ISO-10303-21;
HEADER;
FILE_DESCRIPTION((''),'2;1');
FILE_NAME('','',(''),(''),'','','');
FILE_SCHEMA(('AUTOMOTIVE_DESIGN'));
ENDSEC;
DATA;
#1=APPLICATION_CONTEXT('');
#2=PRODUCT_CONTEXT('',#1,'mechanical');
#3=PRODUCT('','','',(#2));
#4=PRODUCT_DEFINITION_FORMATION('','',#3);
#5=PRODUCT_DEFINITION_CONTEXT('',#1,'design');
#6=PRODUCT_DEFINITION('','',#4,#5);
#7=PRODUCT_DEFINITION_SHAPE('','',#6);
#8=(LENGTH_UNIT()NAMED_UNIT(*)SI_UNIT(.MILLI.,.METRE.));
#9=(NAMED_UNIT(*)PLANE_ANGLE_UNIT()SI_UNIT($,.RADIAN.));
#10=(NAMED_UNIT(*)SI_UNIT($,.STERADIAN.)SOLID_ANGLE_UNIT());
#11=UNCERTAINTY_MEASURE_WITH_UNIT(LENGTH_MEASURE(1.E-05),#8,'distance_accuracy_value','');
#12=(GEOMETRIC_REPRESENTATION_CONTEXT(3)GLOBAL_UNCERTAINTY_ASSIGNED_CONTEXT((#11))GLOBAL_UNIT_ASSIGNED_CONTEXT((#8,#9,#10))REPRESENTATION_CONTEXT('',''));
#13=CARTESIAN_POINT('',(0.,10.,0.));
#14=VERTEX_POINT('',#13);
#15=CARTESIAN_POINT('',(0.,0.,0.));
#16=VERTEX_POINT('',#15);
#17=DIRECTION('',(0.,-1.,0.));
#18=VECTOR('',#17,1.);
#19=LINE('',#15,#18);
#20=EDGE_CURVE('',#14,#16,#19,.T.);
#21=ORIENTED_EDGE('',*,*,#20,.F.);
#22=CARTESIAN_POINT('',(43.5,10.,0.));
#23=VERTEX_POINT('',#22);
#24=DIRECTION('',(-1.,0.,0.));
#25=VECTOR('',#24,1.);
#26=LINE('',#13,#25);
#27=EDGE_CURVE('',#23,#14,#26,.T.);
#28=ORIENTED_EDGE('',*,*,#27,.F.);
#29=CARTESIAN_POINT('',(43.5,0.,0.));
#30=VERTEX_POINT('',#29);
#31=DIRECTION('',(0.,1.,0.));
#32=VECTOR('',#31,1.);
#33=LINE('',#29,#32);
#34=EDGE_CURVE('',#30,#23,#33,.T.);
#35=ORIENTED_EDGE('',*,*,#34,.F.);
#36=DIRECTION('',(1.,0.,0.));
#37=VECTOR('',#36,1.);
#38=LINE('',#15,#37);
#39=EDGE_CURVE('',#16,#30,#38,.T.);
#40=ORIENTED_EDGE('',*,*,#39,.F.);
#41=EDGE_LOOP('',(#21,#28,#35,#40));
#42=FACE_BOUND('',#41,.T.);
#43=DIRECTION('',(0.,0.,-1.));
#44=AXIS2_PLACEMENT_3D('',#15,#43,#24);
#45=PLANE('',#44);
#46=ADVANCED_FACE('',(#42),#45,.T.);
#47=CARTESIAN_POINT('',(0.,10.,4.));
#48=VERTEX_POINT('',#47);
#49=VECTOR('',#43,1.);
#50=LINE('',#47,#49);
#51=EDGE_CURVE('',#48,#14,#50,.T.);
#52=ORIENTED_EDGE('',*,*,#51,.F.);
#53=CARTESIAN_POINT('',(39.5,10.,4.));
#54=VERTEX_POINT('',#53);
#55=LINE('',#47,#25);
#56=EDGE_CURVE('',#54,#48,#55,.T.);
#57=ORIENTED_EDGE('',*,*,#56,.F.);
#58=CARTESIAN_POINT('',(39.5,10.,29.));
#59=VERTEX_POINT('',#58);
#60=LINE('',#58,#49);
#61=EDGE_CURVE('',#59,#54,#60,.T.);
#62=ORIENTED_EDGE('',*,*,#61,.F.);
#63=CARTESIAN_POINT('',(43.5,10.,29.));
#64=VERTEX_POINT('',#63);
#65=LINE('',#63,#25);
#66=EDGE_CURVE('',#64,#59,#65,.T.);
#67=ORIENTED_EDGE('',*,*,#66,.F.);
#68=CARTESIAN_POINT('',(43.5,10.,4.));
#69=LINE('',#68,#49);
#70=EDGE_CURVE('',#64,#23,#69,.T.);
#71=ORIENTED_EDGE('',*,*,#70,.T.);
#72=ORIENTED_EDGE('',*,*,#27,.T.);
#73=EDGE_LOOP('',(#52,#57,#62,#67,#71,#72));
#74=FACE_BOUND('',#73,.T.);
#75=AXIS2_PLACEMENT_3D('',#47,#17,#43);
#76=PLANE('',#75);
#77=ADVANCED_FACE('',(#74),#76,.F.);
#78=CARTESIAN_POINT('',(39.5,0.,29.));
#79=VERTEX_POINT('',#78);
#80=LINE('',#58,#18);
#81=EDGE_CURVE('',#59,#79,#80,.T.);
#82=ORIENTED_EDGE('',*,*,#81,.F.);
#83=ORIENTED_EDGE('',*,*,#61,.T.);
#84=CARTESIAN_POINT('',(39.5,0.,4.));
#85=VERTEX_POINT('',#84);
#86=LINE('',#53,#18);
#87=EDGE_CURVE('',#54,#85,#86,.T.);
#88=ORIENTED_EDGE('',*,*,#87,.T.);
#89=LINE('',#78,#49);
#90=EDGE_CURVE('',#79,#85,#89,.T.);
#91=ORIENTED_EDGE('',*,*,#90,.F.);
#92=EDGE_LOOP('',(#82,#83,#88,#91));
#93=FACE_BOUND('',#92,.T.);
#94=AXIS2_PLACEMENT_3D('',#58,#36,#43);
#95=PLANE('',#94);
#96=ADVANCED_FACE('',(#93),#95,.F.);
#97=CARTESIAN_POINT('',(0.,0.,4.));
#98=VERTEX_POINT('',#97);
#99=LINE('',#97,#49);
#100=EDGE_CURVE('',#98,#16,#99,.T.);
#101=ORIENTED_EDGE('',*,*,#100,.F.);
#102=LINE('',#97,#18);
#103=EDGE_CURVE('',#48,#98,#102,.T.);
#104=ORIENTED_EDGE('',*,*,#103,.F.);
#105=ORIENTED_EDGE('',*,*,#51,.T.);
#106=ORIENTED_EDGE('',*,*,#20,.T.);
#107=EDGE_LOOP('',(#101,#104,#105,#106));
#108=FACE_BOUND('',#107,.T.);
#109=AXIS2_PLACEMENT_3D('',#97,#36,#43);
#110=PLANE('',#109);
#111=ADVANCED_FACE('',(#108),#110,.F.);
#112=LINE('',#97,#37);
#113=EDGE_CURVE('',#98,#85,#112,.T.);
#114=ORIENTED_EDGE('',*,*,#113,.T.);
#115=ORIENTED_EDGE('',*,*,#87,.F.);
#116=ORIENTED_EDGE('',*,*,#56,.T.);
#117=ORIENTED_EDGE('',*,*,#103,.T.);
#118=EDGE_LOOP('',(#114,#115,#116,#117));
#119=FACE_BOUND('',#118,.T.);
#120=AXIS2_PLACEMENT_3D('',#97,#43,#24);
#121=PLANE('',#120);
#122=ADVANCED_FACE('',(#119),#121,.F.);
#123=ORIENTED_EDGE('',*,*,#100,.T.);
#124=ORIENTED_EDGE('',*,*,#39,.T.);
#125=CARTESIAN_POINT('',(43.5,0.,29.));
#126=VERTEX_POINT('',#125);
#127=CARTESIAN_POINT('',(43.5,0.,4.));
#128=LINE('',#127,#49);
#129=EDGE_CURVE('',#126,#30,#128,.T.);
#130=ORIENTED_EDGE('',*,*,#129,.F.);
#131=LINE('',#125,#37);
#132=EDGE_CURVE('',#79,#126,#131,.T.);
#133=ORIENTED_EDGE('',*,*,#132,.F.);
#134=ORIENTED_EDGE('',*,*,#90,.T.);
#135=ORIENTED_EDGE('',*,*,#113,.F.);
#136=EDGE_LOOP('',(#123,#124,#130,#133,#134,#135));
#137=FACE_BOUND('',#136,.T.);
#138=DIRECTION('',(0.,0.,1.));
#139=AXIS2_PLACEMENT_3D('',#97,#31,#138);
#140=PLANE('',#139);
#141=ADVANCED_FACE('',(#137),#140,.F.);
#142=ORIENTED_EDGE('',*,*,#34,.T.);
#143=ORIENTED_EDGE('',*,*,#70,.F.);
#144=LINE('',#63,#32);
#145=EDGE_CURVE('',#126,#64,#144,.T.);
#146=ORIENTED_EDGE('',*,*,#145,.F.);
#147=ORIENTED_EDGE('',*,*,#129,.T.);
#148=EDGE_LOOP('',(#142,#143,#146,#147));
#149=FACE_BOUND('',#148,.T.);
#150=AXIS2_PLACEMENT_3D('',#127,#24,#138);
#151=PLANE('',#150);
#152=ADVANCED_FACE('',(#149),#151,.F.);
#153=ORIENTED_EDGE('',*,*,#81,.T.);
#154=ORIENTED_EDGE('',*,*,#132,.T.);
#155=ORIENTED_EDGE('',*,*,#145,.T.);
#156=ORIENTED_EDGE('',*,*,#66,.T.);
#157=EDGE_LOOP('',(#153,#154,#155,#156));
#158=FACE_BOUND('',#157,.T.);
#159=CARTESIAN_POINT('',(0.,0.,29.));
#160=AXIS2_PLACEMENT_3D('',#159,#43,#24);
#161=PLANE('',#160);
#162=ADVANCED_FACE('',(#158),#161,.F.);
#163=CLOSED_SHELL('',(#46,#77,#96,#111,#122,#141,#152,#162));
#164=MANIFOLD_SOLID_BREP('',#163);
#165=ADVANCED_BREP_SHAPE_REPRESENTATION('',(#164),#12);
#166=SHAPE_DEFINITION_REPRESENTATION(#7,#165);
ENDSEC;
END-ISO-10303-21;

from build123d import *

# Parameters (mm, degrees)
SKETCH1_W           = 43.5
SKETCH1_H           = 10
BOSS_EXTRUDE1_DEPTH = 4
SKETCH2_W           = 4
SKETCH2_H           = 10
BOSS_EXTRUDE2_DEPTH = 25


with BuildPart() as part:
    # Sketch1 → Boss-Extrude1 (new body)
    with BuildSketch(Plane.XY):
        with Locations((21.75, 5)):
            Rectangle(SKETCH1_W, SKETCH1_H)
    extrude(amount=BOSS_EXTRUDE1_DEPTH)

    # Sketch2 → Boss-Extrude2 (add)
    with BuildSketch(Plane.XY.offset(4)):
        with Locations((41.5, 5)):
            Rectangle(SKETCH2_W, SKETCH2_H)
    extrude(amount=BOSS_EXTRUDE2_DEPTH)


solid = part.part
